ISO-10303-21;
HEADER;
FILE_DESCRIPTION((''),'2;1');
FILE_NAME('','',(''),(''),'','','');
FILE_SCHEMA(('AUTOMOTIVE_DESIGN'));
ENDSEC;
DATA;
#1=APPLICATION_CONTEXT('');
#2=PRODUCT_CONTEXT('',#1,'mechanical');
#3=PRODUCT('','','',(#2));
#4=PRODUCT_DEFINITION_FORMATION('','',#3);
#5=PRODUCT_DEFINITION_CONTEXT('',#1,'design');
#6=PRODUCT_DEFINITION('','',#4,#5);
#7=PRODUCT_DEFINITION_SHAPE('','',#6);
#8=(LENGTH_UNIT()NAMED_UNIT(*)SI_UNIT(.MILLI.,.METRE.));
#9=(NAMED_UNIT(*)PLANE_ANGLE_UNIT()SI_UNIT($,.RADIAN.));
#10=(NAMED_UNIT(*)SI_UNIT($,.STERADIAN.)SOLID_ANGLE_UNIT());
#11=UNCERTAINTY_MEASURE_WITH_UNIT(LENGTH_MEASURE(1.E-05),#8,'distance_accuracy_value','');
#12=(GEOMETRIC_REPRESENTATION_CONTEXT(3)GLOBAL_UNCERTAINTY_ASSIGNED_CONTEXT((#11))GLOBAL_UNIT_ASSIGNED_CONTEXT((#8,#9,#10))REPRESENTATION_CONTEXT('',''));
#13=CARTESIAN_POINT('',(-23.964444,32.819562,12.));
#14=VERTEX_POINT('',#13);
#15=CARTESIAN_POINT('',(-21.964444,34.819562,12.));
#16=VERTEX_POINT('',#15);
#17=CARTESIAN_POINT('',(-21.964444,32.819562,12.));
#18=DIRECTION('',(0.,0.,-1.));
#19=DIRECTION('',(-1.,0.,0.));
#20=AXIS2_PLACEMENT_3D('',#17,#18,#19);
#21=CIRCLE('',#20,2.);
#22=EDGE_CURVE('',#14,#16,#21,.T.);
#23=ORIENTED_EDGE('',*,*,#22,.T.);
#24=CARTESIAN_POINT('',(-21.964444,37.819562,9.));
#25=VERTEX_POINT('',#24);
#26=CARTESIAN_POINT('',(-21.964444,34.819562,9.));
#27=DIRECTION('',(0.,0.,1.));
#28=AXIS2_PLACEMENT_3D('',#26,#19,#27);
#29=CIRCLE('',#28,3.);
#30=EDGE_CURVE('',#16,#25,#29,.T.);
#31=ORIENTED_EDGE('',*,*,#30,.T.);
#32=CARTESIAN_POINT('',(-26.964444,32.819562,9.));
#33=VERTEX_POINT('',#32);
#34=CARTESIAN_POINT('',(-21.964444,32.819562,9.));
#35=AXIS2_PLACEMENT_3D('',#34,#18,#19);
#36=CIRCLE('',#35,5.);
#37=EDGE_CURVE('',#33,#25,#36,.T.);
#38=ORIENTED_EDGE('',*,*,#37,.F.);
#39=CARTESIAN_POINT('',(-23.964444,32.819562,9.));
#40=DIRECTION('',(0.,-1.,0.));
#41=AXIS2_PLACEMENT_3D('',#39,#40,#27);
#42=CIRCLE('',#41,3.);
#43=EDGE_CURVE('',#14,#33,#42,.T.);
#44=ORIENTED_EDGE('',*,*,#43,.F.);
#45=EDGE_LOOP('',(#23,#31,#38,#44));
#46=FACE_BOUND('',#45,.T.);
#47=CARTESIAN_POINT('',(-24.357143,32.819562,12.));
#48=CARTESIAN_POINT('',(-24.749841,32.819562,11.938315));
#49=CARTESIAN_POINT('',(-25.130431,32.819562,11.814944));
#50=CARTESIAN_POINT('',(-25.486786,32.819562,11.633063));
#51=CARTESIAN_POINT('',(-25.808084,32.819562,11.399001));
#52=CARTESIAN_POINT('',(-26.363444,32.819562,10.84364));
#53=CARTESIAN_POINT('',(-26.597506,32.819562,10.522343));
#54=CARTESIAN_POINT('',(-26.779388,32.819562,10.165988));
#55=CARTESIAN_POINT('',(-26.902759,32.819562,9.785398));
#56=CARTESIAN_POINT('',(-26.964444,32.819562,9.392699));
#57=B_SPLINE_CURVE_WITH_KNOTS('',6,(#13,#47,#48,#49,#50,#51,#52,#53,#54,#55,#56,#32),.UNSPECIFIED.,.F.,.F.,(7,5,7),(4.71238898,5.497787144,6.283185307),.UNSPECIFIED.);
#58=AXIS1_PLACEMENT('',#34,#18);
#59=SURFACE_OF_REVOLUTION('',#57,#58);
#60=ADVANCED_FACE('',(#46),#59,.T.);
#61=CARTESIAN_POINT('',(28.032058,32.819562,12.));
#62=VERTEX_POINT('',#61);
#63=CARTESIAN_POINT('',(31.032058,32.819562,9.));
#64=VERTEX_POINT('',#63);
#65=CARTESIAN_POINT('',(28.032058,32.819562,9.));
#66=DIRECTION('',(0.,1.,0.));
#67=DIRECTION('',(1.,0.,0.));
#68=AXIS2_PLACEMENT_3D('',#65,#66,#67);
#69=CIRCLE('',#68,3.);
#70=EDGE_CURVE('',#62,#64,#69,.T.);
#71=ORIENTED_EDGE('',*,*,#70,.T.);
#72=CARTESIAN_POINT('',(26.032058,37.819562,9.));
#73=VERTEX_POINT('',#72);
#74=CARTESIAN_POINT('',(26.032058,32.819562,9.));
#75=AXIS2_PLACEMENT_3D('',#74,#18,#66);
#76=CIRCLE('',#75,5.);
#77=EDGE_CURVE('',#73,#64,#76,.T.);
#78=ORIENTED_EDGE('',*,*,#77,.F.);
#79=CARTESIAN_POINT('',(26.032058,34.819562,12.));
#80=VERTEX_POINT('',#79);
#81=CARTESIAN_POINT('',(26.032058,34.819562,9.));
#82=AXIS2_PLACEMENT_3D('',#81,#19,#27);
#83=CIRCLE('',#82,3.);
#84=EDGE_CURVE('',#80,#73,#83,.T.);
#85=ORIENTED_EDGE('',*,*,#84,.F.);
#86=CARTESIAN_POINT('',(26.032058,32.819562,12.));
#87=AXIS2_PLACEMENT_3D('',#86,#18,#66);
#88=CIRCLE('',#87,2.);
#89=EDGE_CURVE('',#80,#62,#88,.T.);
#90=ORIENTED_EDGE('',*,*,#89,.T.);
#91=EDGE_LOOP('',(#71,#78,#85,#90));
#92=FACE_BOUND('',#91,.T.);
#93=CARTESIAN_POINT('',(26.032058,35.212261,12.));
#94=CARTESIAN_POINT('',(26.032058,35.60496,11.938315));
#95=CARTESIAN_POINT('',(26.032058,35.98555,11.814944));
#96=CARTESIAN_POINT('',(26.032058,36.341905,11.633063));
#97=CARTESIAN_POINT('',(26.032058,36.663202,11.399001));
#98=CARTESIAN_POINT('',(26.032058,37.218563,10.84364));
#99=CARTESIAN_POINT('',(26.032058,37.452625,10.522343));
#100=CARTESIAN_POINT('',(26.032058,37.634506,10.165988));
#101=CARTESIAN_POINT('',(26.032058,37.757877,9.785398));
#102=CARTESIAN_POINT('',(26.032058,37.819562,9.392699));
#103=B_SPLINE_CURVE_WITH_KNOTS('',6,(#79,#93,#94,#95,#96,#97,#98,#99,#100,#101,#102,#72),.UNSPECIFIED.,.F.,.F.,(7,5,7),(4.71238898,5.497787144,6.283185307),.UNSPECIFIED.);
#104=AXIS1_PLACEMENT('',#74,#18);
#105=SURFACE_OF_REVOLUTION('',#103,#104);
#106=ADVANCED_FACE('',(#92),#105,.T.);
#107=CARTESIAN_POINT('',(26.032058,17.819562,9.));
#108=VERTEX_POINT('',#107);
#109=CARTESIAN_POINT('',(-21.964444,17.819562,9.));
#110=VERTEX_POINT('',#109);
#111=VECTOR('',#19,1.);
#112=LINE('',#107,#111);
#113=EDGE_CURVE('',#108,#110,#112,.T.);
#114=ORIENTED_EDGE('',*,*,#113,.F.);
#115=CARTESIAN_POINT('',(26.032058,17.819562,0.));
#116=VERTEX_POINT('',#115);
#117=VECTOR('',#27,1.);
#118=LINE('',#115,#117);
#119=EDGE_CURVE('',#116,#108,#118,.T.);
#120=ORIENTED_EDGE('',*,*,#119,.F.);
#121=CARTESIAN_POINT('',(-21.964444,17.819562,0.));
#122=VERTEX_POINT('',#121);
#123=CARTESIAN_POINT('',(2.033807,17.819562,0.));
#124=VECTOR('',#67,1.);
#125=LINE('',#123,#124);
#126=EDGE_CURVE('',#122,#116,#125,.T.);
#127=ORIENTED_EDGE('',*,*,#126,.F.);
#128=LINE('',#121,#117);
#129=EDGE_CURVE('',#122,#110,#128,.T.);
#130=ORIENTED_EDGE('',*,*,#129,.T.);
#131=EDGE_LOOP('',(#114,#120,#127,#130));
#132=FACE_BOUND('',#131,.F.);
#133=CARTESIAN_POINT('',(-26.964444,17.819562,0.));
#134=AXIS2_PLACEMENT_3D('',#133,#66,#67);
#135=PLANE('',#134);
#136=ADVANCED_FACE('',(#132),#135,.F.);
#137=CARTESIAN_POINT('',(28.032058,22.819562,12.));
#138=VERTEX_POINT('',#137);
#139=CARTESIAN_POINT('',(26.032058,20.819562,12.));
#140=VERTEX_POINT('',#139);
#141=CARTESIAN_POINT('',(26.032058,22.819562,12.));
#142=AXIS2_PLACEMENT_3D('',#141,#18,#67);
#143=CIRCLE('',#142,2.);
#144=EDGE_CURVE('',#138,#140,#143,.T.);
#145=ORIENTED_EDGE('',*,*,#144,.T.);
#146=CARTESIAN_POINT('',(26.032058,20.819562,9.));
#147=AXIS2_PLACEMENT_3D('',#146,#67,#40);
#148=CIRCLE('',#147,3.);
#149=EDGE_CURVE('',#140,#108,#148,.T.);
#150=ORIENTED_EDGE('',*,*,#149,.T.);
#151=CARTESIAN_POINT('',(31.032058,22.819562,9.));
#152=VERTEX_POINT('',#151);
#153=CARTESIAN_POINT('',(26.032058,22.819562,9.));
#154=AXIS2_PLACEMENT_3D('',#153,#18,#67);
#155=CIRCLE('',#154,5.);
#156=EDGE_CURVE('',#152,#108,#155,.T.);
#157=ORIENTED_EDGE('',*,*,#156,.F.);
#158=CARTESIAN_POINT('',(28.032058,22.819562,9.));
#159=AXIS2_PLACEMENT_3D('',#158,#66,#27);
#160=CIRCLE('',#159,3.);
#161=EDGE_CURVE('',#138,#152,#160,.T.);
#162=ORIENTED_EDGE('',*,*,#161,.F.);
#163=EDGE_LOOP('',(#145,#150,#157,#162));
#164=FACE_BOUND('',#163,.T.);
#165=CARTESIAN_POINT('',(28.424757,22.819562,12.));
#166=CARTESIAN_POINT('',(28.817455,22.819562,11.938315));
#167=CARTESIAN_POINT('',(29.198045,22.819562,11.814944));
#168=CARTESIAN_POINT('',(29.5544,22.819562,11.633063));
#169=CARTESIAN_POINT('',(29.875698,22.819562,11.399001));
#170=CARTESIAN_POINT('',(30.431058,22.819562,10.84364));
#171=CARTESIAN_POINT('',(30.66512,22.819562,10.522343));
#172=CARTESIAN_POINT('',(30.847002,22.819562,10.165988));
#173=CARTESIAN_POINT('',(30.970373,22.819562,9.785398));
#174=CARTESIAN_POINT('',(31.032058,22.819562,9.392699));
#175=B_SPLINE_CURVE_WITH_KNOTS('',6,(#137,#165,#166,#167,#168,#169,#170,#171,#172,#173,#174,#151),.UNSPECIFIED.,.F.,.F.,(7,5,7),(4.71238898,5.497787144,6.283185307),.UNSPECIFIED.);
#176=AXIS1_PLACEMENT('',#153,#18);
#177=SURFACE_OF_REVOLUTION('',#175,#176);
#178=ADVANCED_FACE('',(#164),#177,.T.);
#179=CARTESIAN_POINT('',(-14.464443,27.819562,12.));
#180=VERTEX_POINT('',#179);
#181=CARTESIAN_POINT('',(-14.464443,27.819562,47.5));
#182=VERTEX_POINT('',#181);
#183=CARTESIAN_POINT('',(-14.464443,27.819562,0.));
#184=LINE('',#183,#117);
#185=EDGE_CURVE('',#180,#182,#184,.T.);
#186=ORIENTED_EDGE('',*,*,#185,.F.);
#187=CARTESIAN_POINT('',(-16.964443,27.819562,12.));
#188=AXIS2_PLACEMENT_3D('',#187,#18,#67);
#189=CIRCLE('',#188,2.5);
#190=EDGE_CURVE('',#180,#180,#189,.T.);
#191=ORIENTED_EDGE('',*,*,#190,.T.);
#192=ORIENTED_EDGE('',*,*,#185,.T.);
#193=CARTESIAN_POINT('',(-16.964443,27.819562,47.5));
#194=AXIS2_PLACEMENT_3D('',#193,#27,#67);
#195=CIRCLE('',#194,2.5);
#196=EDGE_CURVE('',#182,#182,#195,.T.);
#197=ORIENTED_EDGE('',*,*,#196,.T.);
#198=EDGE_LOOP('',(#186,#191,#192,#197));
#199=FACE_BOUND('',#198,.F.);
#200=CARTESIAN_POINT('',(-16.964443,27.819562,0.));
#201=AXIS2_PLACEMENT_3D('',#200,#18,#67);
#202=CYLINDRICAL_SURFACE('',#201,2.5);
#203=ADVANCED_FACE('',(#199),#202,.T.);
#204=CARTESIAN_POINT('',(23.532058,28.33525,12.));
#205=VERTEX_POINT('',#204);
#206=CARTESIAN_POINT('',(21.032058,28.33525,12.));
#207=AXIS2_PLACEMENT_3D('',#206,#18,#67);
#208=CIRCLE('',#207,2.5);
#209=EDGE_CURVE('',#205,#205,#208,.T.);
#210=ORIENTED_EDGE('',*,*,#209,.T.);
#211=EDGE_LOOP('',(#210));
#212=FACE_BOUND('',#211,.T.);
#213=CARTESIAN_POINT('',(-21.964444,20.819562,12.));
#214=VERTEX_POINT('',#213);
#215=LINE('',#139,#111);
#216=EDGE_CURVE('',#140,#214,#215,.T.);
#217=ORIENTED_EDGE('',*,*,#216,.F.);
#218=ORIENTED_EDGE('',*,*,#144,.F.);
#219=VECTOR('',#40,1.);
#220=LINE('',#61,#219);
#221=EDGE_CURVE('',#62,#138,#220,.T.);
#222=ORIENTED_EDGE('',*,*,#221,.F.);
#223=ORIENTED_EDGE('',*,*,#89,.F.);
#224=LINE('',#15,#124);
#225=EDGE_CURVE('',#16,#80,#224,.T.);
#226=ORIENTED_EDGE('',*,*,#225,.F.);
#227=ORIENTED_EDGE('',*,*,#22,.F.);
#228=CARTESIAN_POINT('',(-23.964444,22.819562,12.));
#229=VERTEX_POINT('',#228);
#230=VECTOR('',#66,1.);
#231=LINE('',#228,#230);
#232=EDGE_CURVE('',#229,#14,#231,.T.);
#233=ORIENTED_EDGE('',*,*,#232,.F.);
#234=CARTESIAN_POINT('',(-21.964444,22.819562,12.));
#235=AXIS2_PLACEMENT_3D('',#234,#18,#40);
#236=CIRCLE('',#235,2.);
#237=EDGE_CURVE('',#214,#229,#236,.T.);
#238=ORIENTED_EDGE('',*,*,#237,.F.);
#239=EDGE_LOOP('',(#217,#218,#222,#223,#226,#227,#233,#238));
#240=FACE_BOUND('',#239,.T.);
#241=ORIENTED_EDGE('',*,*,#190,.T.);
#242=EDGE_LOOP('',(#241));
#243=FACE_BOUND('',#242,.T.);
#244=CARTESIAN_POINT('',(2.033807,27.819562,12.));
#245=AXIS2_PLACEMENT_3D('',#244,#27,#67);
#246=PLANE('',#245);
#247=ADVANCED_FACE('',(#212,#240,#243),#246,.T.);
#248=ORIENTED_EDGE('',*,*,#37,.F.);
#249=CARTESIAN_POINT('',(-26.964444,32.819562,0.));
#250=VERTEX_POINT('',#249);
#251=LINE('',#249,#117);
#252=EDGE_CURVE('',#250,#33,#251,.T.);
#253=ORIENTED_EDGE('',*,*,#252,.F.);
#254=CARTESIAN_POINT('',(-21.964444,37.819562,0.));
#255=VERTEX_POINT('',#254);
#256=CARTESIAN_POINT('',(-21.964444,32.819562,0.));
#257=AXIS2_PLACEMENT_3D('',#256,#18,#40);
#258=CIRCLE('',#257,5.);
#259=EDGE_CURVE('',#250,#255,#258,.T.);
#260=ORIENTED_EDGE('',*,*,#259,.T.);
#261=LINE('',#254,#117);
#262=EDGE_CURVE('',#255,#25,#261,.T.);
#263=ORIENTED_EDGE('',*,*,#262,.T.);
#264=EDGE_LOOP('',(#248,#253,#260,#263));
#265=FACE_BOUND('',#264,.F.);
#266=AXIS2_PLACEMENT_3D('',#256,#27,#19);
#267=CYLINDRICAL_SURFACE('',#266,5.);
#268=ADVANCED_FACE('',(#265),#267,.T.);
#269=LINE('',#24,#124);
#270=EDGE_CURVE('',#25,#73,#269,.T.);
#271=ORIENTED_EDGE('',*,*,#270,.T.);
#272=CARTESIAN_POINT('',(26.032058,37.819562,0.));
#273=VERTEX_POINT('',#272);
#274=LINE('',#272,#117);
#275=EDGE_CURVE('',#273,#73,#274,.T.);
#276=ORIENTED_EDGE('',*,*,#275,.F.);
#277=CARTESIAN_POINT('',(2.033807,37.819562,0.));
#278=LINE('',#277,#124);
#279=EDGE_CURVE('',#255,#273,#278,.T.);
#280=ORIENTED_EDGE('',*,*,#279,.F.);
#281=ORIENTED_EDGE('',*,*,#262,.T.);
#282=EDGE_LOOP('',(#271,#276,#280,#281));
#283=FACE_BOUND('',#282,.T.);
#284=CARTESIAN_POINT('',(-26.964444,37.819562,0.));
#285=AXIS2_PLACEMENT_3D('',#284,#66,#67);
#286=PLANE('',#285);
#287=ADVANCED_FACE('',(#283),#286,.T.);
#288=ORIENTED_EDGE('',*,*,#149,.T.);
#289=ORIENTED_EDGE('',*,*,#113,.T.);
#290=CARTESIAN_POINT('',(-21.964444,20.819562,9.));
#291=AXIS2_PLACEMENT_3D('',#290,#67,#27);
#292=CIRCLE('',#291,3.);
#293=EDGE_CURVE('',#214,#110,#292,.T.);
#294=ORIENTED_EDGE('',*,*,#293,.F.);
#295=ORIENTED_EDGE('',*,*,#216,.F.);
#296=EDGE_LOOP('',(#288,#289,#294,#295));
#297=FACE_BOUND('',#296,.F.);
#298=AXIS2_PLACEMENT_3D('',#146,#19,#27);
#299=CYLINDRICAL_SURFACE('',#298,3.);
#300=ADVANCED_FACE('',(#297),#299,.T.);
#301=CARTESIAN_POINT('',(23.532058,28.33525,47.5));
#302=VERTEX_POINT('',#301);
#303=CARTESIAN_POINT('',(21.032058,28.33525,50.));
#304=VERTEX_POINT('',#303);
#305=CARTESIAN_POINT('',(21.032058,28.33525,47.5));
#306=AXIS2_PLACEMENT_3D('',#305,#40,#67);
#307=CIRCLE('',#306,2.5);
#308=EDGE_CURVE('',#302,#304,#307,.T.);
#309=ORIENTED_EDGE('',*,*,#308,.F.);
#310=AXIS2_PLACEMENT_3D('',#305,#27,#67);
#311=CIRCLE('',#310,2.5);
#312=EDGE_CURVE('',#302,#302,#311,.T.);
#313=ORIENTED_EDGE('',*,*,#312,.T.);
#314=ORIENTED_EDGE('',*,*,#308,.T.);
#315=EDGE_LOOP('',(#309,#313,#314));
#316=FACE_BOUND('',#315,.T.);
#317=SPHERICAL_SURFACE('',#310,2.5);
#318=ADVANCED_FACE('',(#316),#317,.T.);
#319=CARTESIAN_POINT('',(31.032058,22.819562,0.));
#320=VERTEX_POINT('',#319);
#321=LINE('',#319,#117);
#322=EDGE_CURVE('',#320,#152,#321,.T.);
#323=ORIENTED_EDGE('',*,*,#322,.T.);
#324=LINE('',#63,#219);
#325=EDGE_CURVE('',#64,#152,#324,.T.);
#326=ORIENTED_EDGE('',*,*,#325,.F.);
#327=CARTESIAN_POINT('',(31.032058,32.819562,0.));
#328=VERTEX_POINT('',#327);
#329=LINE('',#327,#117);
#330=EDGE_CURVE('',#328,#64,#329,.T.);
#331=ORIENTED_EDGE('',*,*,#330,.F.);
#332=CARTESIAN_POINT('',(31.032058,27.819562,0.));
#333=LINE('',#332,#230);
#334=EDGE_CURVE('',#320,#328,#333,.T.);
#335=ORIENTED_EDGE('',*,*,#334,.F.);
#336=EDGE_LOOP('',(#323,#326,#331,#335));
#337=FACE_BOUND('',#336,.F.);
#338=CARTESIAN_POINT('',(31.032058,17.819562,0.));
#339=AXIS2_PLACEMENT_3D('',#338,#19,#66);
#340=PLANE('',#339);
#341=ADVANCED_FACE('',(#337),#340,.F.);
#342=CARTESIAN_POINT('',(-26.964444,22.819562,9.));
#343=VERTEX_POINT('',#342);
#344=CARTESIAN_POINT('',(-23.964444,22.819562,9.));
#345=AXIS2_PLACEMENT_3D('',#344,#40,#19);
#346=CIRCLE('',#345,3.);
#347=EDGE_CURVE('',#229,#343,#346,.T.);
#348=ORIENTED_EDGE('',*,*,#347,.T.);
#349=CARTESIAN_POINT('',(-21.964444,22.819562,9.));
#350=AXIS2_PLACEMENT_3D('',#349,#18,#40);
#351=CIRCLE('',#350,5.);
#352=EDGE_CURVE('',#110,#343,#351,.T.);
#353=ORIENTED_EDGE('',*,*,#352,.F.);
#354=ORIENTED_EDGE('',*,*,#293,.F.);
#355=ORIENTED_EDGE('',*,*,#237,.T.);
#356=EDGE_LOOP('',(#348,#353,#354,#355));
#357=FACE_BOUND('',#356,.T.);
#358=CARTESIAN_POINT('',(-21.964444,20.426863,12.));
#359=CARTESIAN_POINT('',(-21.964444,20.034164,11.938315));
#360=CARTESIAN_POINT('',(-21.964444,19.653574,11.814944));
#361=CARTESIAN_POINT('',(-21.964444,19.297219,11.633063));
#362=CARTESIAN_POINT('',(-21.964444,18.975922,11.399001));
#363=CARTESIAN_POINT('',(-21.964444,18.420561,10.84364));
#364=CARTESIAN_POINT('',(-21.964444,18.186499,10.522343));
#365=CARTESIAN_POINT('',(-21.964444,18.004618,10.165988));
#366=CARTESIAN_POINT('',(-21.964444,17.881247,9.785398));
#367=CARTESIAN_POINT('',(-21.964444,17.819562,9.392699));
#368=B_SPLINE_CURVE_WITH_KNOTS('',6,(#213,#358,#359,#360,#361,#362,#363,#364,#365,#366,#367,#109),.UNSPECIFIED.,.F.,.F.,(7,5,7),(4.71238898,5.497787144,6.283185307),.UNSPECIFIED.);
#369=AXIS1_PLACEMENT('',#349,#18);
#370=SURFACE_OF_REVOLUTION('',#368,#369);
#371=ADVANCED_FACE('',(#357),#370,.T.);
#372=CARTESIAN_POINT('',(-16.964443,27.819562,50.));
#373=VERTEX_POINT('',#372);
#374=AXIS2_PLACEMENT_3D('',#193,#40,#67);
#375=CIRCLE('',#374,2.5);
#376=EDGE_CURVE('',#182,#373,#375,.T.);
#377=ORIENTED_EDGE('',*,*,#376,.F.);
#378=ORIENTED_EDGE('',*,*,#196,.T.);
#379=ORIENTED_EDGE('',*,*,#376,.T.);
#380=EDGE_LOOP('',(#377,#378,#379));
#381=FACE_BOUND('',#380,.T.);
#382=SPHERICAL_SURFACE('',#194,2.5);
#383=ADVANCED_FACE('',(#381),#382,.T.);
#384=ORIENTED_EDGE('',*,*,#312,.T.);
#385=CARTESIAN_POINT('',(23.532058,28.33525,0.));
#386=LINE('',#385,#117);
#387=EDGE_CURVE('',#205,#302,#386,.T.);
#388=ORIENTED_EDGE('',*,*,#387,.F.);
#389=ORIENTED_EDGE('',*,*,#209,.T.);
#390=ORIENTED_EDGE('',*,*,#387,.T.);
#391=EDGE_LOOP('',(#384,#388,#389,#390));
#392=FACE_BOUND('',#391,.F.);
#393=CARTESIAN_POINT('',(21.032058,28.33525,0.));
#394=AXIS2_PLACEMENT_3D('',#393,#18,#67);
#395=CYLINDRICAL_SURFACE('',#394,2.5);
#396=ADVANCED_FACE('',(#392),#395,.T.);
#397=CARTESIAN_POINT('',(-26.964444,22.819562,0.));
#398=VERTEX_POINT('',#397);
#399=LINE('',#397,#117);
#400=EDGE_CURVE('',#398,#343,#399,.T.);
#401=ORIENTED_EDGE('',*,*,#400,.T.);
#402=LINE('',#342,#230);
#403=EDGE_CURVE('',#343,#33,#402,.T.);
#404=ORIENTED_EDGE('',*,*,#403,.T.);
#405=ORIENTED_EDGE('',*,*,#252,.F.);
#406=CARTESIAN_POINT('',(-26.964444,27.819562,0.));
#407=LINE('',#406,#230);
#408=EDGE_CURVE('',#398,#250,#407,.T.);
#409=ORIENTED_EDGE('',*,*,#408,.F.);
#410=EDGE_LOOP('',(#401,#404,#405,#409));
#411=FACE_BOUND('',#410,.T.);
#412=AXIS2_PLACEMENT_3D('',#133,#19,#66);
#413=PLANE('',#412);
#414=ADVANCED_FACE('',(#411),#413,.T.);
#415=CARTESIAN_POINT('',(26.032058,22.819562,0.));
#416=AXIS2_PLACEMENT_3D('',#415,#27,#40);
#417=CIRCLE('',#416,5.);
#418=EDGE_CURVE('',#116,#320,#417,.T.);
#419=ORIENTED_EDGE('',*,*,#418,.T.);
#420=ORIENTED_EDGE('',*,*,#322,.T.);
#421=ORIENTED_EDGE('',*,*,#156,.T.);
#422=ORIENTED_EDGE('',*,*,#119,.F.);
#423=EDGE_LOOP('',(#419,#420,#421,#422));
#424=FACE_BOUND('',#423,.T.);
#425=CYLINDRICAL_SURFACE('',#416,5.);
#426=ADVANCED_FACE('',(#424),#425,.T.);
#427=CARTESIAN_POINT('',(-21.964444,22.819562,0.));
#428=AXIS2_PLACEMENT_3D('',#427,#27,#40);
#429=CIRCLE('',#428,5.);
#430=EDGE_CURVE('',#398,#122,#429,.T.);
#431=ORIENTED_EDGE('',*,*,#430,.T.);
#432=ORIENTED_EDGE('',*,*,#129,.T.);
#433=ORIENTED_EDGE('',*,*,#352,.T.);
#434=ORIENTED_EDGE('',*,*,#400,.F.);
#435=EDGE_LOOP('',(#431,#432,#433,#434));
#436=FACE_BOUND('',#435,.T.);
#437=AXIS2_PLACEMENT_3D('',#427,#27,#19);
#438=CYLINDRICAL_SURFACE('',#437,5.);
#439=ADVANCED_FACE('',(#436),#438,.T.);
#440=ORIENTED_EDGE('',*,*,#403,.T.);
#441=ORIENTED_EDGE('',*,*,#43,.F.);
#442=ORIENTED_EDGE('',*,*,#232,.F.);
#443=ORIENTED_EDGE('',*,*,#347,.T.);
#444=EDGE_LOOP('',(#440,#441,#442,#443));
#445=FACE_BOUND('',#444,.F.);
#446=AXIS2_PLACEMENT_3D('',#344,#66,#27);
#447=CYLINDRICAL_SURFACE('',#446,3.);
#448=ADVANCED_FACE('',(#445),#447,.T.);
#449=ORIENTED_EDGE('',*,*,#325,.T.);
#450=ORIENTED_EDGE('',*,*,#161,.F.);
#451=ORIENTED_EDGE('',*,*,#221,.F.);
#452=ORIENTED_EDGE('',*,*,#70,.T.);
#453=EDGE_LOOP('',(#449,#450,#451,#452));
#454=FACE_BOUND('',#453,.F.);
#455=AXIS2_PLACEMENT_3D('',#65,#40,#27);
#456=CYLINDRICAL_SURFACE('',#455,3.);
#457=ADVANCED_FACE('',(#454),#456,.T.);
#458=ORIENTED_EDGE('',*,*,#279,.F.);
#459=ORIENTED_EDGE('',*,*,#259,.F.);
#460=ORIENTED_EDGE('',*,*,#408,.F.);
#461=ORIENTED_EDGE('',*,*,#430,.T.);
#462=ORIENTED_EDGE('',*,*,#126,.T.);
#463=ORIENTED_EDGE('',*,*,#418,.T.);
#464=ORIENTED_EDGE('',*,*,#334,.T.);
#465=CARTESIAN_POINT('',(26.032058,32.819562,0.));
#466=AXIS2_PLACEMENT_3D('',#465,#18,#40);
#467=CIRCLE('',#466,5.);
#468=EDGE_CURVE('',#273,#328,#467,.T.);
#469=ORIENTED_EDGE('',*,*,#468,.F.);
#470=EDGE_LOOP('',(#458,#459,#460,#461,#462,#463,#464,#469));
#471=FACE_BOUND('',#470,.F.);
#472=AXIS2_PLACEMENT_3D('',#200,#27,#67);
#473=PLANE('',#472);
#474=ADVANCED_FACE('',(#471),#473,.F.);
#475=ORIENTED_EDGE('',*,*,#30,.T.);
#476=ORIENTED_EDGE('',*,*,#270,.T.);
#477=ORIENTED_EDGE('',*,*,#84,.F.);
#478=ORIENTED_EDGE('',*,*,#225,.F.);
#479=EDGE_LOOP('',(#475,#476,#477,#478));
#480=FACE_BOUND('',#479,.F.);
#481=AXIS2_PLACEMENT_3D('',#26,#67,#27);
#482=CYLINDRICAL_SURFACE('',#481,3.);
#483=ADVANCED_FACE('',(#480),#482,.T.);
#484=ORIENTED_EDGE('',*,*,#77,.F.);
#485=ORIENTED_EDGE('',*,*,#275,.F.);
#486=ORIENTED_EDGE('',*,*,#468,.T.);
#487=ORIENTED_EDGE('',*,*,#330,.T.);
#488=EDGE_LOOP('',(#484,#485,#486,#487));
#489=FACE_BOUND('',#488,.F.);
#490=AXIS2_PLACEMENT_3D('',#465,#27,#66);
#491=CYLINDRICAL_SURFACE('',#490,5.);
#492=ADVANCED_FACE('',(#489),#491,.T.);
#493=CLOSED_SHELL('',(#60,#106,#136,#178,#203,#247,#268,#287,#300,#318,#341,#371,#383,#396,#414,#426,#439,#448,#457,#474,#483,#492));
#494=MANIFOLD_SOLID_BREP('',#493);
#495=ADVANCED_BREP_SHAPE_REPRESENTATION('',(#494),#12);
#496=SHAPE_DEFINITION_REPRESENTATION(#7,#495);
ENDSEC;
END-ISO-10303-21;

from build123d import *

# Parameters (mm, degrees)
F0_W     = 57.996501
F0_H     = 20
F0_R     = 2.5
F1_DEPTH = 12
F2_DEPTH = 50
F3_R     = 2.5
F4_R     = 5
F5_R     = 3


with BuildPart() as f1:
    # F0 (on Top) → F1 (new body)
    with BuildSketch(Plane.XY):
        with Locations((2.033807, 27.819562)):
            Rectangle(F0_W, F0_H)
        with Locations((-16.964443, 27.819562)):
            Circle(F0_R, mode=Mode.SUBTRACT)
        with Locations((21.032058, 28.33525)):
            Circle(F0_R, mode=Mode.SUBTRACT)
        with Locations((-16.964443, 27.819562)):
            Circle(F0_R)
        with Locations((21.032058, 28.33525)):
            Circle(F0_R)
    extrude(amount=F1_DEPTH)

    # F0 (on Top) → F2 (join)
    with BuildSketch(Plane.XY):
        with Locations((-16.964443, 27.819562)):
            Circle(F0_R)
        with Locations((21.032058, 28.33525)):
            Circle(F0_R)
    extrude(amount=F2_DEPTH)

    # F3
    f3_edges = [f1.edges().sort_by_distance(p)[0] for p in [
        (-19.464443, 27.819562, 50),
        (18.532058, 28.33525, 50),
    ]]
    fillet(f3_edges, radius=F3_R)

    # F4
    f4_edges = [f1.edges().sort_by_distance(p)[0] for p in [
        (-26.964443, 37.819562, 6),
        (-26.964443, 17.819562, 6),
        (31.032058, 17.819562, 6),
        (31.032058, 37.819562, 6),
    ]]
    fillet(f4_edges, radius=F4_R)

    # F5
    f5_edges = [f1.edges().sort_by_distance(p)[0] for p in [
        (2.033808, 37.819562, 12),
    ]]
    fillet(f5_edges, radius=F5_R)


solid = f1.part
